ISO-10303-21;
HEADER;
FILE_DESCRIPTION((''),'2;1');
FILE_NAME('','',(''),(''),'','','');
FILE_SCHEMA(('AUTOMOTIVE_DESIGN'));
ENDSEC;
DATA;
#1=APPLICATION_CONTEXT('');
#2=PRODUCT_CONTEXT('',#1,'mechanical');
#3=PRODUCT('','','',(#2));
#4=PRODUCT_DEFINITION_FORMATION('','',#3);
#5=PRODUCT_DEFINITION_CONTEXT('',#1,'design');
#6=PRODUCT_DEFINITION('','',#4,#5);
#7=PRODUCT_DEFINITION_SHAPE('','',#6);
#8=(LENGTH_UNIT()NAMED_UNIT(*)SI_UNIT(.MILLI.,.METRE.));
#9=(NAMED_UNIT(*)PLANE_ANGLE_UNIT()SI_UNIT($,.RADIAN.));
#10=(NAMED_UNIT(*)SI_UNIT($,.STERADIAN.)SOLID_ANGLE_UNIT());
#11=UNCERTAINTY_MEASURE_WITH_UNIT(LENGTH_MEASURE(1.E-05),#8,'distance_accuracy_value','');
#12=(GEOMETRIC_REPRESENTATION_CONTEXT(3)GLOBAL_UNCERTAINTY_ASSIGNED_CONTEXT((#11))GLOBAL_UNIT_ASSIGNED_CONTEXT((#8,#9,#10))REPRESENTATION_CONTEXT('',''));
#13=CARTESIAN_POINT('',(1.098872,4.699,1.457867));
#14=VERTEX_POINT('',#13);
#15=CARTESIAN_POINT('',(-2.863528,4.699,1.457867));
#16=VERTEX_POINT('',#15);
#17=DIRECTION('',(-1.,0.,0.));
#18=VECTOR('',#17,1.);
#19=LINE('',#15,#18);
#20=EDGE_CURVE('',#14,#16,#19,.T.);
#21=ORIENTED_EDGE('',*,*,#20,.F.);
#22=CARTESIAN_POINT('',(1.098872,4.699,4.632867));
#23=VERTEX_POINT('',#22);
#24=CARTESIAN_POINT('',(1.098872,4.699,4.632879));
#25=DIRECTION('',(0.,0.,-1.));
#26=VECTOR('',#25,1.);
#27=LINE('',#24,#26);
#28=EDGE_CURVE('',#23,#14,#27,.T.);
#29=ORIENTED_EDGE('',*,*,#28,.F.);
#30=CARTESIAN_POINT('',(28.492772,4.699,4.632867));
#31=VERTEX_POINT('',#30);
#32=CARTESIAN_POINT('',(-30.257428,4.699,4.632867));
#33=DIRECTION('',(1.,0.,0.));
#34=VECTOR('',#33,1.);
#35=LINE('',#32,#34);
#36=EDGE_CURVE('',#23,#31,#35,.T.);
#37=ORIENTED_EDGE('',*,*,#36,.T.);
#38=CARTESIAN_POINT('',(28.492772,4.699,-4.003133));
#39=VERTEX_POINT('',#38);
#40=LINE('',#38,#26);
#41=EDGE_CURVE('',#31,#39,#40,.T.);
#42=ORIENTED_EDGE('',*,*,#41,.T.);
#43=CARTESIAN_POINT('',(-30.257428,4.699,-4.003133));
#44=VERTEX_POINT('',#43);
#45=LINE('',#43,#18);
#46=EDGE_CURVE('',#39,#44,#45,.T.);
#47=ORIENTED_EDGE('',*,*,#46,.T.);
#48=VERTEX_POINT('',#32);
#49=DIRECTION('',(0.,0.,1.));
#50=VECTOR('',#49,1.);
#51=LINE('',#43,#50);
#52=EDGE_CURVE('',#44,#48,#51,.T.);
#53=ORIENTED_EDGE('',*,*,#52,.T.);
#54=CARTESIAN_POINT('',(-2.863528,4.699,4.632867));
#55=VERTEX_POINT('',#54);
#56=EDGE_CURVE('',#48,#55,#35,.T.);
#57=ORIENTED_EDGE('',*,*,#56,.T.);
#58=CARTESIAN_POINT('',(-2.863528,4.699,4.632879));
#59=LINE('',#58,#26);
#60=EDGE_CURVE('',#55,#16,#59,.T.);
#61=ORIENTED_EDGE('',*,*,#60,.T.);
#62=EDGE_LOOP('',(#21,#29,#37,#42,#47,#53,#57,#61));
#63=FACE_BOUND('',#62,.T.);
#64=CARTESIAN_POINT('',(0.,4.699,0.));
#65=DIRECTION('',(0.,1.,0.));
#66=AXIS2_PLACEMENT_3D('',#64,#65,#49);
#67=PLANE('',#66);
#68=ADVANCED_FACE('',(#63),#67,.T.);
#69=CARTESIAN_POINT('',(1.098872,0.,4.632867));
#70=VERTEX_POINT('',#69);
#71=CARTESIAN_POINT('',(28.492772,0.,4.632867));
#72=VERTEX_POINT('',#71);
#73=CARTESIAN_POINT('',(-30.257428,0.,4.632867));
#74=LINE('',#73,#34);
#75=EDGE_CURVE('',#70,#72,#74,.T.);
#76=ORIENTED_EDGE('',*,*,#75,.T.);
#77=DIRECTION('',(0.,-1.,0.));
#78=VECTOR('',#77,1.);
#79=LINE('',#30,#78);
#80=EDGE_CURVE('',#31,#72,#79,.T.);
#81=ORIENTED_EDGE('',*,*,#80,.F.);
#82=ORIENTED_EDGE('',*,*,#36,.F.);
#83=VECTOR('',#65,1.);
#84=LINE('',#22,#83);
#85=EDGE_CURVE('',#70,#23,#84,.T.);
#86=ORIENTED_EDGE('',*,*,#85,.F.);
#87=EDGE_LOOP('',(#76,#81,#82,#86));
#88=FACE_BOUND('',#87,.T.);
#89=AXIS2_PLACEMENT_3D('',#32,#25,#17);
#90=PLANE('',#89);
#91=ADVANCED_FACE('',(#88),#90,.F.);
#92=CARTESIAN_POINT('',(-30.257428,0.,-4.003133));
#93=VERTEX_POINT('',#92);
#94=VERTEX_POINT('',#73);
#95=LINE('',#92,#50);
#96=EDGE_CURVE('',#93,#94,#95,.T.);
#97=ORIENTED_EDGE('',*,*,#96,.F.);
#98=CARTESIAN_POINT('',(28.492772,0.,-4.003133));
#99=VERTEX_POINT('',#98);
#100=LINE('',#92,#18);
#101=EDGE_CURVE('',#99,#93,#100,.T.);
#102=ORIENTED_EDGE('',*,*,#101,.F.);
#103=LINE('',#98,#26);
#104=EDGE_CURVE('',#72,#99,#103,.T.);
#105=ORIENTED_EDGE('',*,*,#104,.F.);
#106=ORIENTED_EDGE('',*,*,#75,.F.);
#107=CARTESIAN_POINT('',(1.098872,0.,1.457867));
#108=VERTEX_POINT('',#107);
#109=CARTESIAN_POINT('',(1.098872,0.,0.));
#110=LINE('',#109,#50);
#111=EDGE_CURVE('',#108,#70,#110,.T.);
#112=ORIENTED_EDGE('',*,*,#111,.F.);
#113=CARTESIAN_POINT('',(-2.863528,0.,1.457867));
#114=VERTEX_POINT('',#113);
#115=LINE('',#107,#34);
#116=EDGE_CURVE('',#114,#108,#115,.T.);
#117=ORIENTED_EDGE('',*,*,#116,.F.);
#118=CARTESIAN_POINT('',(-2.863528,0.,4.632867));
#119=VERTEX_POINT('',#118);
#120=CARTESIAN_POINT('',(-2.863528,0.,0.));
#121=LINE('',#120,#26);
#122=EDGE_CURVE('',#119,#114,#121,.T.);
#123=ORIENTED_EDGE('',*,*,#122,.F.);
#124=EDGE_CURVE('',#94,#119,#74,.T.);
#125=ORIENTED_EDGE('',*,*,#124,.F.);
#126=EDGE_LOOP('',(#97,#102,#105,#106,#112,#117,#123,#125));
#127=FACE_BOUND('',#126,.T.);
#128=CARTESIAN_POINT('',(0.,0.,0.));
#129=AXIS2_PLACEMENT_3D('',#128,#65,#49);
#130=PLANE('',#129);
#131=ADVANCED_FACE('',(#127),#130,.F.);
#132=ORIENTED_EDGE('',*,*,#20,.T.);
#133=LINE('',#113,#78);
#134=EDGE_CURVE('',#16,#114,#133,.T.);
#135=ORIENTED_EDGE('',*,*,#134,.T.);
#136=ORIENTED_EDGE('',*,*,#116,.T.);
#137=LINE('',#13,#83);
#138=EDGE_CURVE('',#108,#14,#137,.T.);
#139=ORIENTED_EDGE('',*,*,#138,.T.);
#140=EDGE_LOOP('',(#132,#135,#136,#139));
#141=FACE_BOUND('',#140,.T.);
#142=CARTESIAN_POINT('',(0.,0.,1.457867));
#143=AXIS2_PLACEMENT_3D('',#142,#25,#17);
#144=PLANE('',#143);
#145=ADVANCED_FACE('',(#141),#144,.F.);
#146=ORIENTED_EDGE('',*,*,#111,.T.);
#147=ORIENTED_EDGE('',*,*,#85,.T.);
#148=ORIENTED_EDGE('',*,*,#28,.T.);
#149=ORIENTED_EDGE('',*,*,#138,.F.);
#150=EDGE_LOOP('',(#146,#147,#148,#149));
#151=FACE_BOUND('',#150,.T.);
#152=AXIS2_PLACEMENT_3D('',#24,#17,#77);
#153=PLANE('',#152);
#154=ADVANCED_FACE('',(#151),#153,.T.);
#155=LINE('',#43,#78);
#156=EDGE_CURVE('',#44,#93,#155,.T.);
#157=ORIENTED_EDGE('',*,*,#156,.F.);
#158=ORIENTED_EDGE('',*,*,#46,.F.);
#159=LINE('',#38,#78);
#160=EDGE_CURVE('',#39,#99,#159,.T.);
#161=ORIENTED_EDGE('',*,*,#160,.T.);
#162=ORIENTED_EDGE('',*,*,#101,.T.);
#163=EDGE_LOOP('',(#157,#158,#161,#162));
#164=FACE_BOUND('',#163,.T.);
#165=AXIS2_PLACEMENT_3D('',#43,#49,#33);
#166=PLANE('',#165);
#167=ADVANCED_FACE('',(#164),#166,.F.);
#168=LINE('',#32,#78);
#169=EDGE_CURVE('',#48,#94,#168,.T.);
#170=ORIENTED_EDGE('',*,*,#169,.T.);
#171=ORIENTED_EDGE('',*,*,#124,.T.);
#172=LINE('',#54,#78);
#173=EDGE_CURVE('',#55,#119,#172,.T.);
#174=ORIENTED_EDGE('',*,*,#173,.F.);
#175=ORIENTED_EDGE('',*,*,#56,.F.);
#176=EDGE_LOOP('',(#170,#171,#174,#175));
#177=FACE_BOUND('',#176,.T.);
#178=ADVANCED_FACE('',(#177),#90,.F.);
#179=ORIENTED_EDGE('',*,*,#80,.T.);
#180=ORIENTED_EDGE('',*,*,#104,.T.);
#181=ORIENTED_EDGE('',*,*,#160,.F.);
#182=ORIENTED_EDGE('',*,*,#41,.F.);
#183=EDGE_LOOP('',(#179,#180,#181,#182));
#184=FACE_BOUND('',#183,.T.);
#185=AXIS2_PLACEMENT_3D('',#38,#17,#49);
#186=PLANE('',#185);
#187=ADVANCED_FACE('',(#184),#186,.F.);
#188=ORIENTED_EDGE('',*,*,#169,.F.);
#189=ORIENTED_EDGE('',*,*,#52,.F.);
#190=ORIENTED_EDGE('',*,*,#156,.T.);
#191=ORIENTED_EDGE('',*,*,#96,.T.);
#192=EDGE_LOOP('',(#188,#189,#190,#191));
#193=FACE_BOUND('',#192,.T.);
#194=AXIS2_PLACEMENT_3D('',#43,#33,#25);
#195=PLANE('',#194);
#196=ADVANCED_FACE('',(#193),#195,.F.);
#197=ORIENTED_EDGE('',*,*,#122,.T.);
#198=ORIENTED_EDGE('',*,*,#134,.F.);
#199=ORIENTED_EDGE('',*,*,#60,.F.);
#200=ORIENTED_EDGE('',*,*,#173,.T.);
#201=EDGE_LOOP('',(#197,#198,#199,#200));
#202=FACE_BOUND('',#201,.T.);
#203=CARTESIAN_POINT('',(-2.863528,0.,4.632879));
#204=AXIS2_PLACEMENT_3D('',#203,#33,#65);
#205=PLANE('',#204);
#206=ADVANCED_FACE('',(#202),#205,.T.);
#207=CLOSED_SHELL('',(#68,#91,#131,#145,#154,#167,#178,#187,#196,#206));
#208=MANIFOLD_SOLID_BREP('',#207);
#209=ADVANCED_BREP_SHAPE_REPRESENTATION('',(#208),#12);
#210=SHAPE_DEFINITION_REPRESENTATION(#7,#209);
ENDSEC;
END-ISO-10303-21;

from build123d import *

# Parameters (mm, degrees)
SKETCH2_W               = 58.7502
SKETCH2_H               = 8.636
BOSS_EXTRUDE1_DEPTH     = 4.699
CUT_EXTRUDE1_DEPTH      = 1
CUT_EXTRUDE1_DEPTH_BACK = 3.175


with BuildPart() as part:
    # Sketch2 → Boss-Extrude1 (new body)
    with BuildSketch(Plane(origin=(0, 0, 0), x_dir=(1, 0, 0), z_dir=(0, 1, 0))):
        with Locations((-0.882327606, -0.31486737)):
            Rectangle(SKETCH2_W, SKETCH2_H)
    extrude(amount=BOSS_EXTRUDE1_DEPTH)

    # Sketch5 → Cut-Extrude1 (cut, two sides)
    with BuildSketch(Plane.XY.offset(4.63286737)) as cut_extrude1_sk:
        Polygon((-0.882327606, 0), (-2.863527606, 0), (-2.863527606, 4.699), (1.098872394, 4.699), (1.098872394, 0), align=None)
    extrude(amount=CUT_EXTRUDE1_DEPTH, mode=Mode.SUBTRACT)
    extrude(cut_extrude1_sk.sketch, amount=-CUT_EXTRUDE1_DEPTH_BACK, mode=Mode.SUBTRACT)


solid = part.part
